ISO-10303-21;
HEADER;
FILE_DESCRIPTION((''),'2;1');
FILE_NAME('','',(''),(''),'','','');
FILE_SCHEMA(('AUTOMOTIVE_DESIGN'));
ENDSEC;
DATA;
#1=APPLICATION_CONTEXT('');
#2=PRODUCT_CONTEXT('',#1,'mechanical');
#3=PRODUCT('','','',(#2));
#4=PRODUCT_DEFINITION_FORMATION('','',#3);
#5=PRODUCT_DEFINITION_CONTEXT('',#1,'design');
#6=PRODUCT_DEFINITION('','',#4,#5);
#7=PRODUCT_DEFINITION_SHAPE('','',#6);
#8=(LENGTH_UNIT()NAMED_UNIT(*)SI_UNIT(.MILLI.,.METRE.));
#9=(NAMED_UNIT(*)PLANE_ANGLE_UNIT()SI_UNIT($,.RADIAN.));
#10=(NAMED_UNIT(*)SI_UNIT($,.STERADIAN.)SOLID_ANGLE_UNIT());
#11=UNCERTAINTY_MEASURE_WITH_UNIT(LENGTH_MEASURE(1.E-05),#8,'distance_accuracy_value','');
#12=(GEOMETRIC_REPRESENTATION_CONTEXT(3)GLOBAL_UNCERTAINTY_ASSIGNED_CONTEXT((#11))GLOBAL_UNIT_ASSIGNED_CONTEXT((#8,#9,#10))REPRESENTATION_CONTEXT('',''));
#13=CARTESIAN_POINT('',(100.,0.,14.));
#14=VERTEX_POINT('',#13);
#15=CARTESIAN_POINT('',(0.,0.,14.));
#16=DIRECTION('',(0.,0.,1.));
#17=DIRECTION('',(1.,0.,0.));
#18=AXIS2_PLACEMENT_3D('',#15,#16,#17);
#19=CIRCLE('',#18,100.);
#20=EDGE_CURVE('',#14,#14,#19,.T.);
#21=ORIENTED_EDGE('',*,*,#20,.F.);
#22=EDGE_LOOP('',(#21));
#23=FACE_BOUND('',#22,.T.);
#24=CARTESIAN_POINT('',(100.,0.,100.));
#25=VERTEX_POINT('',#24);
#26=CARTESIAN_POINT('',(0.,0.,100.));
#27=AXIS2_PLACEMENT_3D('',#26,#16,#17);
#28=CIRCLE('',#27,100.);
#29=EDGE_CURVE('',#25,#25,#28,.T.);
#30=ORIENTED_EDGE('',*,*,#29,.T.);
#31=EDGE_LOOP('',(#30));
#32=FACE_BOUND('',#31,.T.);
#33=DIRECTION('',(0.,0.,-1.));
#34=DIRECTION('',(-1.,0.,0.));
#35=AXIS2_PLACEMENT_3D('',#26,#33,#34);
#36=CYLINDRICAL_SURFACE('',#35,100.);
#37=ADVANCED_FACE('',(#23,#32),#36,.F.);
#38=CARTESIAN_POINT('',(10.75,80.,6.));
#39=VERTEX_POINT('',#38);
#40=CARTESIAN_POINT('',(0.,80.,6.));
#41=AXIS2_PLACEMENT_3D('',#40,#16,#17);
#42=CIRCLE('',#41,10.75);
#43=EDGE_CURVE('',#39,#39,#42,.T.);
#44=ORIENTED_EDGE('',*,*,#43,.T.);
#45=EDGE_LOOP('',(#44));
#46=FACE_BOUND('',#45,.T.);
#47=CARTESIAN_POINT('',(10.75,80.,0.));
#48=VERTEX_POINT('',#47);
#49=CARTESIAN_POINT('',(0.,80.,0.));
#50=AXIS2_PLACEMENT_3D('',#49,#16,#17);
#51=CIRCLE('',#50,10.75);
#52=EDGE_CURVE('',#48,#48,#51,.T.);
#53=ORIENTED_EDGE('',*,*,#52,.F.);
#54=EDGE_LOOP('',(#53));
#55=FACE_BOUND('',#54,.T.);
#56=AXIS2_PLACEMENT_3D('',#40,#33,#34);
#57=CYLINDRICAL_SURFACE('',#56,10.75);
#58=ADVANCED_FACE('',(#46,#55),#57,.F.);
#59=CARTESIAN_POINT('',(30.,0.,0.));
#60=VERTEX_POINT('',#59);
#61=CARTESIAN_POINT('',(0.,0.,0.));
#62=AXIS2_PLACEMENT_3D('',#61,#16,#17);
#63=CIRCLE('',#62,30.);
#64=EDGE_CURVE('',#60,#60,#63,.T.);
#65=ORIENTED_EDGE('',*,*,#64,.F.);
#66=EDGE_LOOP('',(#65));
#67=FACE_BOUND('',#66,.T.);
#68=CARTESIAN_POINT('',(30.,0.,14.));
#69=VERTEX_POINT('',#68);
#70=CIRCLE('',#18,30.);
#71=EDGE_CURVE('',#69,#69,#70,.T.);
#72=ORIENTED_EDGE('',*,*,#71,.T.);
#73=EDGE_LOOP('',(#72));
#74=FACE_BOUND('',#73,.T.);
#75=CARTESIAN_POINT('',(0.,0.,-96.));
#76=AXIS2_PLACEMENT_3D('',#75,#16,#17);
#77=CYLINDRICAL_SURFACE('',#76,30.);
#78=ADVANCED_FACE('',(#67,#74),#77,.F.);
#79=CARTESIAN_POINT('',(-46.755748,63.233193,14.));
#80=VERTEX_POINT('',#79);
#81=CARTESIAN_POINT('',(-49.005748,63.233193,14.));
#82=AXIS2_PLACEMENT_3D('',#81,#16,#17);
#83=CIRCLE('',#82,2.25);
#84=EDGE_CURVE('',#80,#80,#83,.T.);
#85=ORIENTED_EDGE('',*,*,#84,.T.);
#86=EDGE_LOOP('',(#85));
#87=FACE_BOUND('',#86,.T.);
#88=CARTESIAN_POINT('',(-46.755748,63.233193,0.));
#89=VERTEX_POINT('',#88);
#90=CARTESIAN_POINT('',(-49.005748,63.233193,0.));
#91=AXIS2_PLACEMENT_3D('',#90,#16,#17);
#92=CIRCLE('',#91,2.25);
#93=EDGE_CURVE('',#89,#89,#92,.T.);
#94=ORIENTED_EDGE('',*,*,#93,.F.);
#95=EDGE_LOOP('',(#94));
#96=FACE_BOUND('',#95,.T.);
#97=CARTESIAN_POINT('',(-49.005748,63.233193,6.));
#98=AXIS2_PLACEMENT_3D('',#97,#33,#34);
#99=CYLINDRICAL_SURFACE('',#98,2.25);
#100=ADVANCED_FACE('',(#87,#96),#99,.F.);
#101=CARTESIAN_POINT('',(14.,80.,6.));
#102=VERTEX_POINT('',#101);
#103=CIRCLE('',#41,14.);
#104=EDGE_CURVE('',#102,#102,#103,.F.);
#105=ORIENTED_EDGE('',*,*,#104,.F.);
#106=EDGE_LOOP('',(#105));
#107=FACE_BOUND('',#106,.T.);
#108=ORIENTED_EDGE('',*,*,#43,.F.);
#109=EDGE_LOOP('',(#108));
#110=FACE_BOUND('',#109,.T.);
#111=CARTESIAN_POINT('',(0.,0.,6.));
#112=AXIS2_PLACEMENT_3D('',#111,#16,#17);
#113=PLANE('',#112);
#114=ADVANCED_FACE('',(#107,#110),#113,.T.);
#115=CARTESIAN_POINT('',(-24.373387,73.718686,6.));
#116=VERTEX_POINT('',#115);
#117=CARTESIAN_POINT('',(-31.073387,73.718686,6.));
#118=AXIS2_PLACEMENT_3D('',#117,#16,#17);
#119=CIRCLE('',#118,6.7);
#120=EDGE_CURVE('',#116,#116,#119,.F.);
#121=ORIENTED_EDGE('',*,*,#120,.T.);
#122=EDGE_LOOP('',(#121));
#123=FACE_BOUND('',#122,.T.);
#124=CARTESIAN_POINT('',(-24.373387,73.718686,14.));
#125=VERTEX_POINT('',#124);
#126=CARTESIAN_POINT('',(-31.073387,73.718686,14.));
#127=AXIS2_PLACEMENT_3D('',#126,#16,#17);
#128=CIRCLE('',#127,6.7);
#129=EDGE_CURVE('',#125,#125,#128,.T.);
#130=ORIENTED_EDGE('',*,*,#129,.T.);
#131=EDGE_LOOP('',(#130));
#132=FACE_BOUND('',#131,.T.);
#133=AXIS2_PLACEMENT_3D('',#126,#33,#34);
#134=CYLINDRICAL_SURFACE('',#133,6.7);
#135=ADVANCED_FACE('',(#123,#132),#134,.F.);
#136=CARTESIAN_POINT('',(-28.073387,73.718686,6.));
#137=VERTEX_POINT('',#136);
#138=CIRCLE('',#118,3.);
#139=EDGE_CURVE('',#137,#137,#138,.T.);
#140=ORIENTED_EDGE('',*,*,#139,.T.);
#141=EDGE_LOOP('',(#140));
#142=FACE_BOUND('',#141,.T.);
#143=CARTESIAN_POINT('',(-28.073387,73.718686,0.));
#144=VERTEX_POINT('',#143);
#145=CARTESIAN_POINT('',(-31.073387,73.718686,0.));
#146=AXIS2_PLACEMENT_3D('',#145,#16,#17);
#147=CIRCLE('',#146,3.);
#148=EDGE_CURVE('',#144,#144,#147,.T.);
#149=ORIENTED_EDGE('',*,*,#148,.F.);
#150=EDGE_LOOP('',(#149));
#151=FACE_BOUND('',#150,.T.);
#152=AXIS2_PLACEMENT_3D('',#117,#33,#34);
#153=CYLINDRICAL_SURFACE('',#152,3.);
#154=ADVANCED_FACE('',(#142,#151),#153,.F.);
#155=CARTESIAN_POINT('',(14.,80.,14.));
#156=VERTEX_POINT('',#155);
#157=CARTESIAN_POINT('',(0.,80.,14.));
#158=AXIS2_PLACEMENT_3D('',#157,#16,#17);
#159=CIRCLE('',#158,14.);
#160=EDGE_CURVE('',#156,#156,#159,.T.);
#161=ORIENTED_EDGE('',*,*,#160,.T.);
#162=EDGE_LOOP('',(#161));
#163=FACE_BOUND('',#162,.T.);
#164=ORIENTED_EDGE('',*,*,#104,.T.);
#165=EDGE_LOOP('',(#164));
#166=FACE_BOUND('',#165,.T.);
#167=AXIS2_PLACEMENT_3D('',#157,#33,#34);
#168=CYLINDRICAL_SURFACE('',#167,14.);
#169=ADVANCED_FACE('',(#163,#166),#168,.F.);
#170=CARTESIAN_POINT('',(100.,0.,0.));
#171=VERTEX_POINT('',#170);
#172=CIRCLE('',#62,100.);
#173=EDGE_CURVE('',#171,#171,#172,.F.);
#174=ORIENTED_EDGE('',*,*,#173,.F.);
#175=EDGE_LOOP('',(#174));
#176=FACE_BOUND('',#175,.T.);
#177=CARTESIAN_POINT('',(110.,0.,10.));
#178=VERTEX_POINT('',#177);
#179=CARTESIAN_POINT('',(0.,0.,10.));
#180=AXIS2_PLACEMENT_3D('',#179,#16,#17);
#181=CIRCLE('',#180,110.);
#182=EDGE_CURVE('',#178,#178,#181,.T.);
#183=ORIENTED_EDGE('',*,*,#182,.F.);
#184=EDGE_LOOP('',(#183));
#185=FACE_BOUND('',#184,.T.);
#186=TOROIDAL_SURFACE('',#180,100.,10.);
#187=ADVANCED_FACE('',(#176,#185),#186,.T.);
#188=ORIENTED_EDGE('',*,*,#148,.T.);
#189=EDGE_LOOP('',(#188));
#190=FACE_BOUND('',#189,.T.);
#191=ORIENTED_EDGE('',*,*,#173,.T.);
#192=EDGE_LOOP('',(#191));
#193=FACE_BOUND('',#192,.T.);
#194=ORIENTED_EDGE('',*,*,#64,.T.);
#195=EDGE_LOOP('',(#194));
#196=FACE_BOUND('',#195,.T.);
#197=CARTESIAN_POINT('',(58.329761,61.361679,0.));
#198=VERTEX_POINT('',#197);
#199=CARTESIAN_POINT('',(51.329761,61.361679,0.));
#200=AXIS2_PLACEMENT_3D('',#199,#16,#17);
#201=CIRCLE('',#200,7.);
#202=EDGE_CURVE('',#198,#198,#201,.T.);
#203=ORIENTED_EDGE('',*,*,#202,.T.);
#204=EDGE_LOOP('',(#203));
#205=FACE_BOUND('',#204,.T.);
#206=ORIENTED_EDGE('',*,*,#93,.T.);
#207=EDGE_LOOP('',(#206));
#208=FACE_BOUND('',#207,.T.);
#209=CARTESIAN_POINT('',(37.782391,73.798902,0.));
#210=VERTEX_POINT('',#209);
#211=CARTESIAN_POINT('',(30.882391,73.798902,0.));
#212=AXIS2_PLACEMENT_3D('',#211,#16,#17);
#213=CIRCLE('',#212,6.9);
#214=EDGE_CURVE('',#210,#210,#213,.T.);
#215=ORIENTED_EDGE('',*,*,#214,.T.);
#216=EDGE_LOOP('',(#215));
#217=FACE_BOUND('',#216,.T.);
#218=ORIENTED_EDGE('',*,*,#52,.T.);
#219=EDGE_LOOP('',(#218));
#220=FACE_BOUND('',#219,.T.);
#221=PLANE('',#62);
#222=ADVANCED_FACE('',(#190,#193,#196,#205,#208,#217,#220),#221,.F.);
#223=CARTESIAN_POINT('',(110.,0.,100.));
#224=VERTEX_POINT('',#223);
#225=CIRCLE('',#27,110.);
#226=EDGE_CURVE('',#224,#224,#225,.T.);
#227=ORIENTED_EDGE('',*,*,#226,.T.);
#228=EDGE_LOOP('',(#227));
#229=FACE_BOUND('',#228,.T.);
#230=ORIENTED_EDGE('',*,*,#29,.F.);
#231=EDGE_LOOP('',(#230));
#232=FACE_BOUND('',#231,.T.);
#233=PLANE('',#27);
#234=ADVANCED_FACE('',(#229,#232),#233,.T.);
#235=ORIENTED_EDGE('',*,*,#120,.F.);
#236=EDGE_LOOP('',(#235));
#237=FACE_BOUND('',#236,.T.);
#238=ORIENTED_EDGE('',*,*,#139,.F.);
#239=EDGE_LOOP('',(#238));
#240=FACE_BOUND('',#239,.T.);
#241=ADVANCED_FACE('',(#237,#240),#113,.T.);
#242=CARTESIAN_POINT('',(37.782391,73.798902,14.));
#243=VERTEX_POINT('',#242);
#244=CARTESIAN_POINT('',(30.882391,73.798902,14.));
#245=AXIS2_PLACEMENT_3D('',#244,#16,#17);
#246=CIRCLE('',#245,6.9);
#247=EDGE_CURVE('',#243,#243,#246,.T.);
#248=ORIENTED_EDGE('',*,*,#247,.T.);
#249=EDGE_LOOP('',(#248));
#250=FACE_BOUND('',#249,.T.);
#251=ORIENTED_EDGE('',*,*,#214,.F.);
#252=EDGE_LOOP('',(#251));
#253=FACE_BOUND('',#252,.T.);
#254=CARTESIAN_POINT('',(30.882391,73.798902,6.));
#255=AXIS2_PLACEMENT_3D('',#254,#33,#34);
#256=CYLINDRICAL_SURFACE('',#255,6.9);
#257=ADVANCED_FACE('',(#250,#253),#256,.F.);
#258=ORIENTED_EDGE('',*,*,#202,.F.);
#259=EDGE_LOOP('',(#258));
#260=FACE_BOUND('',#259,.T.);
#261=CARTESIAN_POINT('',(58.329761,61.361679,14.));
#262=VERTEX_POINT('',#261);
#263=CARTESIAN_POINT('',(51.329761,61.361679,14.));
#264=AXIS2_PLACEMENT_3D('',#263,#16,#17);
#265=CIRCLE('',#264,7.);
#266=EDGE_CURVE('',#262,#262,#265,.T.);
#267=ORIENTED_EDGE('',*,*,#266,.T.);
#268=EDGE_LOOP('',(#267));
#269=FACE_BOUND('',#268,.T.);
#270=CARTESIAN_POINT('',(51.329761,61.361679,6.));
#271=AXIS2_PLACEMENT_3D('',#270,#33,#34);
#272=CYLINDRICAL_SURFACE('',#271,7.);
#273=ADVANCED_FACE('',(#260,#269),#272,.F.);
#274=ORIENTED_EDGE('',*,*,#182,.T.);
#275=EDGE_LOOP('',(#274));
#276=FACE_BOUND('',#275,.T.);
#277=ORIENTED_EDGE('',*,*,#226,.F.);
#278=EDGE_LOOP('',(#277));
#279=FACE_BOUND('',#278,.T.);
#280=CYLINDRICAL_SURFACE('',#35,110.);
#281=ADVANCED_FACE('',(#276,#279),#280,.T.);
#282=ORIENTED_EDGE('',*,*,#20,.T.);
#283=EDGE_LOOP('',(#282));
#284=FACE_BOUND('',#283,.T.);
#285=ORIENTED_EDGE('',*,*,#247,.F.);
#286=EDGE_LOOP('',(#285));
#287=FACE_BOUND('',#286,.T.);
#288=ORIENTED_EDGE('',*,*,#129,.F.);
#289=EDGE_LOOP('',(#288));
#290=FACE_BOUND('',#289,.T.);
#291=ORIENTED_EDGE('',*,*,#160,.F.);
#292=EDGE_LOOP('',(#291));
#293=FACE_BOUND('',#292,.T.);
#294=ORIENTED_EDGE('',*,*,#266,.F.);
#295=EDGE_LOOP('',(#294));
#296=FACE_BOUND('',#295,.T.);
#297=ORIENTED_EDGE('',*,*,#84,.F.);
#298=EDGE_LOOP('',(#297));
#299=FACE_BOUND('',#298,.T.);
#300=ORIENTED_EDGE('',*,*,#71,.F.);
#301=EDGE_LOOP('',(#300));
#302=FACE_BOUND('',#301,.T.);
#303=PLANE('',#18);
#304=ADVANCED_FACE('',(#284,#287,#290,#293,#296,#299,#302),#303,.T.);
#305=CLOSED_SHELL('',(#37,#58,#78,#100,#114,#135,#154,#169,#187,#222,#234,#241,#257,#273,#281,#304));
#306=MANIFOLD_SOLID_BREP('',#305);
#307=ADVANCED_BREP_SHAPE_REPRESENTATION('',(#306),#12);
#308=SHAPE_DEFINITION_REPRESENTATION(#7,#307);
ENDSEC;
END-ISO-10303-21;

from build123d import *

# Parameters (mm, degrees)
SKETCH1_R           = 100
SKETCH1_R_2         = 6.9
SKETCH1_R_3         = 10.75
SKETCH1_R_4         = 3
SKETCH1_R_5         = 2.25
SKETCH1_R_6         = 7
BOSS_EXTRUDE1_DEPTH = 6
SKETCH1_3_R         = 110
SKETCH1_3_R_2       = 100
BOSS_EXTRUDE2_DEPTH = 100
FILLET1_R           = 10
SKETCH1_11_R        = 100
SKETCH1_11_R_2      = 6.9
SKETCH1_11_R_3      = 7
SKETCH1_11_R_4      = 2.25
SKETCH1_11_R_5      = 6.7
SKETCH1_11_R_6      = 14
BOSS_EXTRUDE7_DEPTH = 14
SKETCH7_R           = 30
CUT_EXTRUDE3_DEPTH  = 110


with BuildPart() as part:
    # Sketch1 → Boss-Extrude1 (new body)
    with BuildSketch(Plane.XY):
        Circle(SKETCH1_R)
        with Locations((30.882391056, 73.798901907)):
            Circle(SKETCH1_R_2, mode=Mode.SUBTRACT)
        with Locations((0, 80)):
            Circle(SKETCH1_R_3, mode=Mode.SUBTRACT)
        with Locations((-31.073387423, 73.718685515)):
            Circle(SKETCH1_R_4, mode=Mode.SUBTRACT)
        with Locations((-49.00574775, 63.233192925)):
            Circle(SKETCH1_R_5, mode=Mode.SUBTRACT)
        with Locations((51.329760909, 61.361678962)):
            Circle(SKETCH1_R_6, mode=Mode.SUBTRACT)
    extrude(amount=BOSS_EXTRUDE1_DEPTH)

    # Sketch1<3> → Boss-Extrude2 (add)
    with BuildSketch(Plane.XY):
        Circle(SKETCH1_3_R)
        Circle(SKETCH1_3_R_2, mode=Mode.SUBTRACT)
    extrude(amount=BOSS_EXTRUDE2_DEPTH)

    # Fillet1
    fillet1_edges = [part.edges().sort_by_distance(p)[0] for p in [
        (-110, 0, 0),
    ]]
    fillet(fillet1_edges, radius=FILLET1_R)

    # Sketch1<11> → Boss-Extrude7 (add)
    with BuildSketch(Plane.XY):
        Circle(SKETCH1_11_R)
        with Locations((30.882391056, 73.798901907)):
            Circle(SKETCH1_11_R_2, mode=Mode.SUBTRACT)
        with Locations((51.329760909, 61.361678962)):
            Circle(SKETCH1_11_R_3, mode=Mode.SUBTRACT)
        with Locations((-49.00574775, 63.233192925)):
            Circle(SKETCH1_11_R_4, mode=Mode.SUBTRACT)
        with Locations((-31.073387423, 73.718685515)):
            Circle(SKETCH1_11_R_5, mode=Mode.SUBTRACT)
        with Locations((0, 80)):
            Circle(SKETCH1_11_R_6, mode=Mode.SUBTRACT)
    extrude(amount=BOSS_EXTRUDE7_DEPTH)

    # Sketch7 → Cut-Extrude3 (cut)
    with BuildSketch(Plane.XY.offset(14)):
        Circle(SKETCH7_R)
    extrude(amount=-CUT_EXTRUDE3_DEPTH, mode=Mode.SUBTRACT)


solid = part.part
